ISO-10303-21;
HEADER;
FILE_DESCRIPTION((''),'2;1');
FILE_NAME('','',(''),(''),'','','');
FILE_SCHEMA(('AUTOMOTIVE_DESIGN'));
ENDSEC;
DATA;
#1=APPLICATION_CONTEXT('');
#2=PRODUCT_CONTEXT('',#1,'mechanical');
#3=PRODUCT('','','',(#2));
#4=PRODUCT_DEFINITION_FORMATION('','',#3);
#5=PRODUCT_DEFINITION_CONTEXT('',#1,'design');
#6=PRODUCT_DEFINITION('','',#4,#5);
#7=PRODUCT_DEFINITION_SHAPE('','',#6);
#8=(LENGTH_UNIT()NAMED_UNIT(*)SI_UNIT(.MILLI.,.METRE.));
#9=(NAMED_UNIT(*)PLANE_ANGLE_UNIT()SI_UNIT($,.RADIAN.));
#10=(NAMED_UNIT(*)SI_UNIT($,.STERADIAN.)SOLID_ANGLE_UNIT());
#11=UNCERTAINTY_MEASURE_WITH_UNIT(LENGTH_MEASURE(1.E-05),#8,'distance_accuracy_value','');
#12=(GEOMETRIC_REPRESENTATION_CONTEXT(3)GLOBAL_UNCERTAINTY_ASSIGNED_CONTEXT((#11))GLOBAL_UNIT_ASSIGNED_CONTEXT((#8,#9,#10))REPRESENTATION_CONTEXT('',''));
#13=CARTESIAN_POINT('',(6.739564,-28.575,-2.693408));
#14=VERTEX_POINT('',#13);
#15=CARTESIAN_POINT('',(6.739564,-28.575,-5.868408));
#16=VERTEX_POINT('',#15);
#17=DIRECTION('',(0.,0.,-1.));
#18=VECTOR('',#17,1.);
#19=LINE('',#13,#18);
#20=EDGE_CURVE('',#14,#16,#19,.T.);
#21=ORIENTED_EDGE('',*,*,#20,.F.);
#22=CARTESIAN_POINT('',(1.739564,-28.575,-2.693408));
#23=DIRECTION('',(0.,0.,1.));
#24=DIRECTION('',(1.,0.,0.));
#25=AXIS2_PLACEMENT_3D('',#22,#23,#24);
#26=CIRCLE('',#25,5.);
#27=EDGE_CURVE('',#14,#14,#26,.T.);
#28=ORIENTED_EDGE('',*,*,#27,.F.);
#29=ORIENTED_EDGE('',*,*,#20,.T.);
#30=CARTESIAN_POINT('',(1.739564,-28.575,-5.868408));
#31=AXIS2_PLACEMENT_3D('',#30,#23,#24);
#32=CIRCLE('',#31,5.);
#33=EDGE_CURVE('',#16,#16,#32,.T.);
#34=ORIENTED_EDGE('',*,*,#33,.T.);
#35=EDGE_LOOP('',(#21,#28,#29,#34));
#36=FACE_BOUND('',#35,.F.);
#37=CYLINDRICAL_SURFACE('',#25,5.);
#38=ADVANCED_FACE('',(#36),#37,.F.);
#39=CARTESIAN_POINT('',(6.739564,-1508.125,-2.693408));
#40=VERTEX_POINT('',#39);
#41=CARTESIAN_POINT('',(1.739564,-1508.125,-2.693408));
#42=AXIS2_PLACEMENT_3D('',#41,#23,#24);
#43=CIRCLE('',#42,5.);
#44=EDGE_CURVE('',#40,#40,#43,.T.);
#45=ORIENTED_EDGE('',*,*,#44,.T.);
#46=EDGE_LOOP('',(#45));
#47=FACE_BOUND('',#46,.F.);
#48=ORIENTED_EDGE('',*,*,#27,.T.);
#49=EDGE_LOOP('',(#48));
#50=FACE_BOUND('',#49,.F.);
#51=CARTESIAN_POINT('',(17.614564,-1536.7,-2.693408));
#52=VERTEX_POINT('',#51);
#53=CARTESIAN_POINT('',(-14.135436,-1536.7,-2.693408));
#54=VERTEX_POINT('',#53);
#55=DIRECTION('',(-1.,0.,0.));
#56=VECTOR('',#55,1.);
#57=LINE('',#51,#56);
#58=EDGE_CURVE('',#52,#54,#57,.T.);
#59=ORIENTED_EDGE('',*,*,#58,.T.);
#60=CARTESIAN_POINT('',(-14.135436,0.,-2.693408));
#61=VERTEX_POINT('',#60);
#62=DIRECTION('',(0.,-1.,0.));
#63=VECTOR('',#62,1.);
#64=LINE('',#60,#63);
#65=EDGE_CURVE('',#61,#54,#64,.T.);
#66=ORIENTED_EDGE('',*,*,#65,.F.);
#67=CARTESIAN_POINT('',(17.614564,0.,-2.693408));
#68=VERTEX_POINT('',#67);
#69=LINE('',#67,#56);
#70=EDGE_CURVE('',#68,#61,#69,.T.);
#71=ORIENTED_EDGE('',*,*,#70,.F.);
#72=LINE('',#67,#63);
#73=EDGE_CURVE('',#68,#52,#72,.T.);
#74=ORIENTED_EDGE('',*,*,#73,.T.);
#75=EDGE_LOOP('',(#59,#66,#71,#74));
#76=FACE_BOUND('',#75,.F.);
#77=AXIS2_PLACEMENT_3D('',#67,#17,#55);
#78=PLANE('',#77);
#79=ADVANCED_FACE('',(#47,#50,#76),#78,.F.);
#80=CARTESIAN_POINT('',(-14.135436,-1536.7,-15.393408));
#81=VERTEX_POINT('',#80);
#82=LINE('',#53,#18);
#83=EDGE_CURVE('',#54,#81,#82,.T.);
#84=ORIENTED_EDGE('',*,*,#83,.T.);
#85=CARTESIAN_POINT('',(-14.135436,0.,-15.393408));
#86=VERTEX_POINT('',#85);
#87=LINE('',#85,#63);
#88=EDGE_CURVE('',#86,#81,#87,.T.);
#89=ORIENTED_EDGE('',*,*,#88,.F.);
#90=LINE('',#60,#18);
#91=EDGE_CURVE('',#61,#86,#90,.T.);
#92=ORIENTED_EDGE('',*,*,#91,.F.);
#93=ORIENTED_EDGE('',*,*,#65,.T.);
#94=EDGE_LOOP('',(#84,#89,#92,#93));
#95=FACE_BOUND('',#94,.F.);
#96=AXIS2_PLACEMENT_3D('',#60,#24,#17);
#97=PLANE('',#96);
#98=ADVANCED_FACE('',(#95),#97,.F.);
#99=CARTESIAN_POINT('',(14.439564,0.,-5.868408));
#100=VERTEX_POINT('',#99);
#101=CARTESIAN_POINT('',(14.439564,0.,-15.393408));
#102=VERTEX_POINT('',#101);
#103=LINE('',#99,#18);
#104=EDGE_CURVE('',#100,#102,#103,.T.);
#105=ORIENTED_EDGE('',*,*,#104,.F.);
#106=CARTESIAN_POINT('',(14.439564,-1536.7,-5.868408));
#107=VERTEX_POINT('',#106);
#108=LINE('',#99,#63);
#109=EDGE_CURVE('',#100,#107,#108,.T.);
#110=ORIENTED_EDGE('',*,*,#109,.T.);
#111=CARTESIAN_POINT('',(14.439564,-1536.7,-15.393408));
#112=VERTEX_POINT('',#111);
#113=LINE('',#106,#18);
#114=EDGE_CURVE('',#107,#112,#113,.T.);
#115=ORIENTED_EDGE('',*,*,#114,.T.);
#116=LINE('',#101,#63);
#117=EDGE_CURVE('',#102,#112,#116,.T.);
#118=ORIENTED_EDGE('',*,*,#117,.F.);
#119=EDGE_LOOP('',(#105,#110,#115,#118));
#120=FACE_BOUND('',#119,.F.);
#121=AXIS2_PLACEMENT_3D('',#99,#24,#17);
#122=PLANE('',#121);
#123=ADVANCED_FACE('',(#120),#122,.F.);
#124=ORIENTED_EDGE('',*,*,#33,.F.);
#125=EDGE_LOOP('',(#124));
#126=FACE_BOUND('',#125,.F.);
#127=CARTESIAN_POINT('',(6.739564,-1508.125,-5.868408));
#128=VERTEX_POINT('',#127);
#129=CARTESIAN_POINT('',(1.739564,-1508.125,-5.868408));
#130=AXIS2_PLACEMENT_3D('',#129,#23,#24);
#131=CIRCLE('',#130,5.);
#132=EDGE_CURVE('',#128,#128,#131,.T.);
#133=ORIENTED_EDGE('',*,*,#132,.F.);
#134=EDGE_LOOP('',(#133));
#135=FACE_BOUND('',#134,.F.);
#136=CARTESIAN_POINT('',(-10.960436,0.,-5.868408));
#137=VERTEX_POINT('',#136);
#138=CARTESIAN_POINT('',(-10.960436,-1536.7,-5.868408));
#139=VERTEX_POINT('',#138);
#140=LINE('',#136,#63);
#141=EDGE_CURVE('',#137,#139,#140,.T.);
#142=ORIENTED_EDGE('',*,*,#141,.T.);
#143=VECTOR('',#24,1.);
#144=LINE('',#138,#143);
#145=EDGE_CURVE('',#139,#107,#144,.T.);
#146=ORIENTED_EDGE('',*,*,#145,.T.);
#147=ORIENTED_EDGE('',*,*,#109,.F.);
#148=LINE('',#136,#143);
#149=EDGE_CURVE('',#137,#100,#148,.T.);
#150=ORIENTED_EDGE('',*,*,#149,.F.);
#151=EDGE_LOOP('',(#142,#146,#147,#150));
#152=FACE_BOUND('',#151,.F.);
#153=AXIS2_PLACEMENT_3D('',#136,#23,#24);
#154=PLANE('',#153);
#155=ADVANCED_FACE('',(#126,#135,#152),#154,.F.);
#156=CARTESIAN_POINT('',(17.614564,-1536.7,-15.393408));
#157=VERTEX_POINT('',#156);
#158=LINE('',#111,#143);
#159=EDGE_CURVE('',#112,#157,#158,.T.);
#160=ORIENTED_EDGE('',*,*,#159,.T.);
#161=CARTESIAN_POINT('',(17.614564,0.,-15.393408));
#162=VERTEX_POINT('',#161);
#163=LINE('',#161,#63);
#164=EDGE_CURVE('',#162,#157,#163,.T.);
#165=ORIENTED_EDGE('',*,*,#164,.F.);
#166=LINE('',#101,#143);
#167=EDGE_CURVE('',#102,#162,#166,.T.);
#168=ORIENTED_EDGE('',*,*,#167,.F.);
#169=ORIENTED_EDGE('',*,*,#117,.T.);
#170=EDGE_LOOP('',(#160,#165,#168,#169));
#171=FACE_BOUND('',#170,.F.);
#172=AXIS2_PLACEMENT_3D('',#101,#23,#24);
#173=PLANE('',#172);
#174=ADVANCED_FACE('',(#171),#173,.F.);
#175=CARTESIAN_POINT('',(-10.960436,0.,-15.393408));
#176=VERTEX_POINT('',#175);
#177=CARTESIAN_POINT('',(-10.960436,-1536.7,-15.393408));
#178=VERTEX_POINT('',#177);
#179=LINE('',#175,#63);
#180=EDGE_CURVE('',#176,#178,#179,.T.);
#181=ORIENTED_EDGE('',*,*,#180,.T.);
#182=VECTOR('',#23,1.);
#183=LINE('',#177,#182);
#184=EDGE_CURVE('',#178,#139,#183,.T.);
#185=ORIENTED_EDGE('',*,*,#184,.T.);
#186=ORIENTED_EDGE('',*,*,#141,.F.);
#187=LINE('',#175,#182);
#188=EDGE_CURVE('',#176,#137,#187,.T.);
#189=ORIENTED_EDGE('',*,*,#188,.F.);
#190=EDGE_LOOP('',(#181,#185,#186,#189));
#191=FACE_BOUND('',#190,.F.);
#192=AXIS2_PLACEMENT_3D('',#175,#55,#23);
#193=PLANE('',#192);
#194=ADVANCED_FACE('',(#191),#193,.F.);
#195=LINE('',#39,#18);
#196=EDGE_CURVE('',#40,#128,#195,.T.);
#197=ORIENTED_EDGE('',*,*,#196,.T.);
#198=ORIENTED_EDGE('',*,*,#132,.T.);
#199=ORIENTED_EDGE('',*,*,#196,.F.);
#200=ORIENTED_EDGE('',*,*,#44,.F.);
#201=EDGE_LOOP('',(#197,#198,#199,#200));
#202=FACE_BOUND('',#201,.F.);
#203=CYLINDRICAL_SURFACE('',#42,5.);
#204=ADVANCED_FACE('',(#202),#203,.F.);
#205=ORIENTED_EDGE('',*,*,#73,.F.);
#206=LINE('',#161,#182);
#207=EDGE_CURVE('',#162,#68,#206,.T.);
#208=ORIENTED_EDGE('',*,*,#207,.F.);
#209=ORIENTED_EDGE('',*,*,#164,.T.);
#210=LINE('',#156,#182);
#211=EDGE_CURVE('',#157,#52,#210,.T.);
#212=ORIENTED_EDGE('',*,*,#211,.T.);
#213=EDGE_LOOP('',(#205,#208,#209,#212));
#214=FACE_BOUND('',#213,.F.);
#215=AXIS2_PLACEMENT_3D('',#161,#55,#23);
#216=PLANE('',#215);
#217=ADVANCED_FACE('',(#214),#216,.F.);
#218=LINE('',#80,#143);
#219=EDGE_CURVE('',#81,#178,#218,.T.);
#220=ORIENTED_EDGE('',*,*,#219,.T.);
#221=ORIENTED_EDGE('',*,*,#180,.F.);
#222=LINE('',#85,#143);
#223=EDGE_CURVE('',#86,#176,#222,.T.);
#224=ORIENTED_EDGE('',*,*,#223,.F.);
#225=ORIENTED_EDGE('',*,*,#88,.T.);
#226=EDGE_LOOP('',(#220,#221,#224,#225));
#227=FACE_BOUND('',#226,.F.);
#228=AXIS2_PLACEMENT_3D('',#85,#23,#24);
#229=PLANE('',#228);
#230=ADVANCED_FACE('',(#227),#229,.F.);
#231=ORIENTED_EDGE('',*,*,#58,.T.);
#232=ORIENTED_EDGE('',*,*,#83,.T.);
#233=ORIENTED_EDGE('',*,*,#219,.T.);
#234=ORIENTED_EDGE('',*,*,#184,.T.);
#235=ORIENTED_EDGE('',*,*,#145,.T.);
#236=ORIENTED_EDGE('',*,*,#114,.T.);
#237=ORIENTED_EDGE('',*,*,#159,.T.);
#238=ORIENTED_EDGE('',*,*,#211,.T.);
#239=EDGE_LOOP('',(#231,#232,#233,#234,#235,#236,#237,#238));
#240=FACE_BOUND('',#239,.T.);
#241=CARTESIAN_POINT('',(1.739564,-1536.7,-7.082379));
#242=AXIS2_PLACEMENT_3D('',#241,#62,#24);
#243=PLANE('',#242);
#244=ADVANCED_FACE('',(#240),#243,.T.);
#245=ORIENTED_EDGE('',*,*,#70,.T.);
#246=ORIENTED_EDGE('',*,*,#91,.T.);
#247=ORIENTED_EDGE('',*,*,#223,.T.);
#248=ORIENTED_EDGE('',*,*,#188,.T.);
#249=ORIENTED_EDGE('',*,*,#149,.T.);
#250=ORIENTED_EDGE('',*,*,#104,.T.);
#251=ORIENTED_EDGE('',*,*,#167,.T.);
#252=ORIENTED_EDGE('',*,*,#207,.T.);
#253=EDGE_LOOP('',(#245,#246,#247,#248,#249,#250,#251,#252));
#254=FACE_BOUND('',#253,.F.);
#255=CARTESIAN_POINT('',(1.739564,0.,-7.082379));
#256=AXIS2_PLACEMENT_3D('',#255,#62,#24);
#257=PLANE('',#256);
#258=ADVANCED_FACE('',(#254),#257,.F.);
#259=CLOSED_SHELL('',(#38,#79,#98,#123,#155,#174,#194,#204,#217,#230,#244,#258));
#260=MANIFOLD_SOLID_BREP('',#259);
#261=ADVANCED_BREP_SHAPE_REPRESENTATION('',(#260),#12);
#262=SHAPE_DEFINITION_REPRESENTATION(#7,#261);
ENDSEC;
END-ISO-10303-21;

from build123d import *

# Parameters (mm, degrees)
F1_DEPTH = 1536.7
F2_R     = 5
F3_DEPTH = 25.4


with BuildPart() as f1:
    # F0 (on Front) → F1 (new body)
    with BuildSketch(Plane.XZ):
        Polygon((17.614564, -2.693408), (-14.135436, -2.693408), (-14.135436, -15.393408), (-10.960436, -15.393408), (-10.960436, -5.868408), (14.439564, -5.868408), (14.439564, -15.393408), (17.614564, -15.393408), align=None)
    extrude(amount=F1_DEPTH)

    # F2 (on face) → F3 (cut)
    with BuildSketch(Plane.XY.offset(-2.693408)):
        with Locations((1.739564, -1508.125)):
            Circle(F2_R)
        with Locations((1.739564, -28.575)):
            Circle(F2_R)
    extrude(amount=-F3_DEPTH, mode=Mode.SUBTRACT)


solid = f1.part
